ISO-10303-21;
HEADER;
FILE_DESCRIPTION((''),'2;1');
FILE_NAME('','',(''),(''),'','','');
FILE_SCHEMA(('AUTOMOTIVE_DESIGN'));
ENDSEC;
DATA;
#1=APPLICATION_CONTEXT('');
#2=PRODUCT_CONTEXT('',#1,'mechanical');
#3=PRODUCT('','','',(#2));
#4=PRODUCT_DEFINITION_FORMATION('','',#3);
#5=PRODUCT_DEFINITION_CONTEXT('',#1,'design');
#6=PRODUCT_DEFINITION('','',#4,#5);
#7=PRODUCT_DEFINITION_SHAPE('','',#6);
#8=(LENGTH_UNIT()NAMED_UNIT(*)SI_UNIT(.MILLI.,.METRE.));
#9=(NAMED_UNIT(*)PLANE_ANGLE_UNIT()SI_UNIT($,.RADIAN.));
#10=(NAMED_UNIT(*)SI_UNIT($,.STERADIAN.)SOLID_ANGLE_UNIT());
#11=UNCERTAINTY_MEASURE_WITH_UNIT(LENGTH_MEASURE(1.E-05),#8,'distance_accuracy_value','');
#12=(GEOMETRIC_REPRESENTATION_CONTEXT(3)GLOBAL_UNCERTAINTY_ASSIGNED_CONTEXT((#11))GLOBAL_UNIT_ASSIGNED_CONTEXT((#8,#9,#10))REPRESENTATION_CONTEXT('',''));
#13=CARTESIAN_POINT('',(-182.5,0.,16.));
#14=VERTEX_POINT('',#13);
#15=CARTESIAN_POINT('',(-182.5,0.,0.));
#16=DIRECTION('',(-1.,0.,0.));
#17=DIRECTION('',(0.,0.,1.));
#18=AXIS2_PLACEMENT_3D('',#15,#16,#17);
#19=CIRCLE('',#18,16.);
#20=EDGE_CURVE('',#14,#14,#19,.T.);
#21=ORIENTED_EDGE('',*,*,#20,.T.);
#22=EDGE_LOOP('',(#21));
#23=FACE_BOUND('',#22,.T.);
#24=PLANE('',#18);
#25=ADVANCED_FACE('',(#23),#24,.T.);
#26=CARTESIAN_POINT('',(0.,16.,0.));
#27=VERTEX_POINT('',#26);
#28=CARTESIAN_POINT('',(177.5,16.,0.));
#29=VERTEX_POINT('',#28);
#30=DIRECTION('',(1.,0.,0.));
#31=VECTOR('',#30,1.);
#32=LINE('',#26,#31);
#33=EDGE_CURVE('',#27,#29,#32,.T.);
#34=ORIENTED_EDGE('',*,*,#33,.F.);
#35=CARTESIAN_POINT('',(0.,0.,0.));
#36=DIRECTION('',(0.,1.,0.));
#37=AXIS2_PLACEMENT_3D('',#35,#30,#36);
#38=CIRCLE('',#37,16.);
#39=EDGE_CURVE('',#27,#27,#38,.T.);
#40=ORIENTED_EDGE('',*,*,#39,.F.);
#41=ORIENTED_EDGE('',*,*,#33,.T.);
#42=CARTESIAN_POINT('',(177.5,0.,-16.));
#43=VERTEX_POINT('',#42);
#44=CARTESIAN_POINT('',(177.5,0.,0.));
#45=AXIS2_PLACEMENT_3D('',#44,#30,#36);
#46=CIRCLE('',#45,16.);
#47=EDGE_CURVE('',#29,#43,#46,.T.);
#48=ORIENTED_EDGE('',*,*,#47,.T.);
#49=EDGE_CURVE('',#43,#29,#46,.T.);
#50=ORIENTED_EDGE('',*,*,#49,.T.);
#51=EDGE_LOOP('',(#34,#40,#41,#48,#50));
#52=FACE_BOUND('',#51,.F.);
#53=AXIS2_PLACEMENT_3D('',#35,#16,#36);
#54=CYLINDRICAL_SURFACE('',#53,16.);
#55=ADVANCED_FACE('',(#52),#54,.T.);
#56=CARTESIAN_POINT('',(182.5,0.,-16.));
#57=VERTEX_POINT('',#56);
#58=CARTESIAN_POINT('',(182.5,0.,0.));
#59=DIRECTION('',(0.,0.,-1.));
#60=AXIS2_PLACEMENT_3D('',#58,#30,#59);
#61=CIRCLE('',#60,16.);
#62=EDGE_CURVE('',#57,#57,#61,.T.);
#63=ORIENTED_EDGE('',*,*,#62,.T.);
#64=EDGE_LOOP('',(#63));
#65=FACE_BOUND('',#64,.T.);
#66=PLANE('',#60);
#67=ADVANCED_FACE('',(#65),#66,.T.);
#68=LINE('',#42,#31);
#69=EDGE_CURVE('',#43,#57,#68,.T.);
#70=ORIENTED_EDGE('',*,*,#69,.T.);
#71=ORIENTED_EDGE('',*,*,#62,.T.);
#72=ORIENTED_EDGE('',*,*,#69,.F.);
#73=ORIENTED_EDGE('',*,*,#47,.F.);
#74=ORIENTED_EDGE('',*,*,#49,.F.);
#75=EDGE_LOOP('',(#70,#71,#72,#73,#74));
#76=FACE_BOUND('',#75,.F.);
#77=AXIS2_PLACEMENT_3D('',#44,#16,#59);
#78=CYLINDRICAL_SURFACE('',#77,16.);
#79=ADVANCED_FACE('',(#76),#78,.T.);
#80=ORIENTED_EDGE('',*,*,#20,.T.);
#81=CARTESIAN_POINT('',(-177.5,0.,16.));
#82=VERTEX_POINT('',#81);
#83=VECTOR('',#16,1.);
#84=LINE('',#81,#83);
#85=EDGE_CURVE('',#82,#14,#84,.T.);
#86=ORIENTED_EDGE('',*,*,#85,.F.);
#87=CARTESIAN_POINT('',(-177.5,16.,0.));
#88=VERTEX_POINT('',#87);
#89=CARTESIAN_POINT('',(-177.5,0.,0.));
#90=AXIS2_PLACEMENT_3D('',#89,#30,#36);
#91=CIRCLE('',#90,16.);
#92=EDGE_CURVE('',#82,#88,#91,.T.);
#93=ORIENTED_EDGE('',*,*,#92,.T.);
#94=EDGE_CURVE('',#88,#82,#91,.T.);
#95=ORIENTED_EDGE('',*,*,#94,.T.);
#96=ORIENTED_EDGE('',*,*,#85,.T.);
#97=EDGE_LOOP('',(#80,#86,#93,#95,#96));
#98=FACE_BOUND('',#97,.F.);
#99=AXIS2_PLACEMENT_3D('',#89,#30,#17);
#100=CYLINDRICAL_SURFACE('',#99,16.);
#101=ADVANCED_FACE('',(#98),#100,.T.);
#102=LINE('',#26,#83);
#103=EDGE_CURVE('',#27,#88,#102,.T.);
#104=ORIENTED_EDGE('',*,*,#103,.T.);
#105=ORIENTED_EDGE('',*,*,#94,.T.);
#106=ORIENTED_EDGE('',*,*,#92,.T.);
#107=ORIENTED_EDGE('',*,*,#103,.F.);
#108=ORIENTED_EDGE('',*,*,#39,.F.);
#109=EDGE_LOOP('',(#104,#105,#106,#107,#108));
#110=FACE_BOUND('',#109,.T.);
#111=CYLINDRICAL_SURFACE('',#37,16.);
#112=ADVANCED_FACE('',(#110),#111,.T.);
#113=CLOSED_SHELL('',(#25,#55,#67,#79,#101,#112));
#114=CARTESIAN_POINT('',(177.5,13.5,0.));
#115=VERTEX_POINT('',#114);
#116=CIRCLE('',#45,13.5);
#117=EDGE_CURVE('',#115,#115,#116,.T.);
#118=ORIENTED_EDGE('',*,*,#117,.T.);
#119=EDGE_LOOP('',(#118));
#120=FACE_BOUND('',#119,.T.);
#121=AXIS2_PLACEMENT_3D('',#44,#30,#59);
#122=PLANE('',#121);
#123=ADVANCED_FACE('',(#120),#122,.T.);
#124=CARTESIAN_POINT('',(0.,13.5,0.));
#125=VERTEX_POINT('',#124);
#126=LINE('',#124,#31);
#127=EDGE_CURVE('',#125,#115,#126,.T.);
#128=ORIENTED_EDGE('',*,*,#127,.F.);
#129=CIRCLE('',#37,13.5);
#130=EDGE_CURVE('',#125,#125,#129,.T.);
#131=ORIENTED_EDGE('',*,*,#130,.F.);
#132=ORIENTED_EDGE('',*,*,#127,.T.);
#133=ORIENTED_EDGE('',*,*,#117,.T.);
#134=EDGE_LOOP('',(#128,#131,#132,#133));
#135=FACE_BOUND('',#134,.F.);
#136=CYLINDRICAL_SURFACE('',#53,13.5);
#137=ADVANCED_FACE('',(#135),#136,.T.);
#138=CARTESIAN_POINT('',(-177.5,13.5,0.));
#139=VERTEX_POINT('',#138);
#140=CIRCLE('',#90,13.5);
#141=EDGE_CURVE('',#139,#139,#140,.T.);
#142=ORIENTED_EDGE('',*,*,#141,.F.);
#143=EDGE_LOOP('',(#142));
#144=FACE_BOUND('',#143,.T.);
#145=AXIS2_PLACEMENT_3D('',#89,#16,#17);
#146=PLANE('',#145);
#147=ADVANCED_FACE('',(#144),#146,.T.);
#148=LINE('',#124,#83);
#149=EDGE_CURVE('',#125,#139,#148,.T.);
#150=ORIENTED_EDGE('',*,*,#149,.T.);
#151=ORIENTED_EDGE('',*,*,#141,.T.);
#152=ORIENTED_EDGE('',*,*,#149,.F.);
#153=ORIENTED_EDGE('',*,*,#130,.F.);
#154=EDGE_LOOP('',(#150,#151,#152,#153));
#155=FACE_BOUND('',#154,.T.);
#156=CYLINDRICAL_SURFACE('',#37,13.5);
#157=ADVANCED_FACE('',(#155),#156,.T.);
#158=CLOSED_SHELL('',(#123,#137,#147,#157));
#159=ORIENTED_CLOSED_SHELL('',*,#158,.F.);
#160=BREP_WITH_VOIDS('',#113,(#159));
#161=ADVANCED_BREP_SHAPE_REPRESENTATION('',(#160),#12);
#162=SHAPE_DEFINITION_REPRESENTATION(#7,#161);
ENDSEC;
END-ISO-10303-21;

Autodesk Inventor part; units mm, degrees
ref_plane "YZ Plane" through (0, 0, 0) normal (1, 0, 0) x (0, 1, 0)
ref_plane "XZ Plane" through (0, 0, 0) normal (0, 1, 0) x (-1, 0, 0)
ref_plane "XY Plane" through (0, 0, 0) normal (0, 0, 1) x (1, 0, 0)
sketch "Sketch1" plane through (0, 0, 0) normal (1, 0, 0) x (0, 1, 0)
  circle A0 centre (0, 0) radius 16
  circle A1 centre (0, 0) radius 13.5
  dimension "d0" = 32
  dimension "d1" = 27
extrude "Extrusion1" add sketch "Sketch1" along normal mid plane 355
sketch "Sketch2" plane through (177.5, 0, 0) normal (1, 0, 0) x (0, 0, -1)
  circle A0 centre (0, 0) radius 16
  dimension "d4" = 32
extrude "Extrusion2" add sketch "Sketch2" along normal blind 5
sketch "Sketch3" plane through (-177.5, 0, 0) normal (-1, 0, 0) x (0, 0, 1)
  circle A0 centre (0, 0) radius 16
extrude "Extrusion3" add sketch "Sketch3" along normal blind 5
properties material "Glass"
